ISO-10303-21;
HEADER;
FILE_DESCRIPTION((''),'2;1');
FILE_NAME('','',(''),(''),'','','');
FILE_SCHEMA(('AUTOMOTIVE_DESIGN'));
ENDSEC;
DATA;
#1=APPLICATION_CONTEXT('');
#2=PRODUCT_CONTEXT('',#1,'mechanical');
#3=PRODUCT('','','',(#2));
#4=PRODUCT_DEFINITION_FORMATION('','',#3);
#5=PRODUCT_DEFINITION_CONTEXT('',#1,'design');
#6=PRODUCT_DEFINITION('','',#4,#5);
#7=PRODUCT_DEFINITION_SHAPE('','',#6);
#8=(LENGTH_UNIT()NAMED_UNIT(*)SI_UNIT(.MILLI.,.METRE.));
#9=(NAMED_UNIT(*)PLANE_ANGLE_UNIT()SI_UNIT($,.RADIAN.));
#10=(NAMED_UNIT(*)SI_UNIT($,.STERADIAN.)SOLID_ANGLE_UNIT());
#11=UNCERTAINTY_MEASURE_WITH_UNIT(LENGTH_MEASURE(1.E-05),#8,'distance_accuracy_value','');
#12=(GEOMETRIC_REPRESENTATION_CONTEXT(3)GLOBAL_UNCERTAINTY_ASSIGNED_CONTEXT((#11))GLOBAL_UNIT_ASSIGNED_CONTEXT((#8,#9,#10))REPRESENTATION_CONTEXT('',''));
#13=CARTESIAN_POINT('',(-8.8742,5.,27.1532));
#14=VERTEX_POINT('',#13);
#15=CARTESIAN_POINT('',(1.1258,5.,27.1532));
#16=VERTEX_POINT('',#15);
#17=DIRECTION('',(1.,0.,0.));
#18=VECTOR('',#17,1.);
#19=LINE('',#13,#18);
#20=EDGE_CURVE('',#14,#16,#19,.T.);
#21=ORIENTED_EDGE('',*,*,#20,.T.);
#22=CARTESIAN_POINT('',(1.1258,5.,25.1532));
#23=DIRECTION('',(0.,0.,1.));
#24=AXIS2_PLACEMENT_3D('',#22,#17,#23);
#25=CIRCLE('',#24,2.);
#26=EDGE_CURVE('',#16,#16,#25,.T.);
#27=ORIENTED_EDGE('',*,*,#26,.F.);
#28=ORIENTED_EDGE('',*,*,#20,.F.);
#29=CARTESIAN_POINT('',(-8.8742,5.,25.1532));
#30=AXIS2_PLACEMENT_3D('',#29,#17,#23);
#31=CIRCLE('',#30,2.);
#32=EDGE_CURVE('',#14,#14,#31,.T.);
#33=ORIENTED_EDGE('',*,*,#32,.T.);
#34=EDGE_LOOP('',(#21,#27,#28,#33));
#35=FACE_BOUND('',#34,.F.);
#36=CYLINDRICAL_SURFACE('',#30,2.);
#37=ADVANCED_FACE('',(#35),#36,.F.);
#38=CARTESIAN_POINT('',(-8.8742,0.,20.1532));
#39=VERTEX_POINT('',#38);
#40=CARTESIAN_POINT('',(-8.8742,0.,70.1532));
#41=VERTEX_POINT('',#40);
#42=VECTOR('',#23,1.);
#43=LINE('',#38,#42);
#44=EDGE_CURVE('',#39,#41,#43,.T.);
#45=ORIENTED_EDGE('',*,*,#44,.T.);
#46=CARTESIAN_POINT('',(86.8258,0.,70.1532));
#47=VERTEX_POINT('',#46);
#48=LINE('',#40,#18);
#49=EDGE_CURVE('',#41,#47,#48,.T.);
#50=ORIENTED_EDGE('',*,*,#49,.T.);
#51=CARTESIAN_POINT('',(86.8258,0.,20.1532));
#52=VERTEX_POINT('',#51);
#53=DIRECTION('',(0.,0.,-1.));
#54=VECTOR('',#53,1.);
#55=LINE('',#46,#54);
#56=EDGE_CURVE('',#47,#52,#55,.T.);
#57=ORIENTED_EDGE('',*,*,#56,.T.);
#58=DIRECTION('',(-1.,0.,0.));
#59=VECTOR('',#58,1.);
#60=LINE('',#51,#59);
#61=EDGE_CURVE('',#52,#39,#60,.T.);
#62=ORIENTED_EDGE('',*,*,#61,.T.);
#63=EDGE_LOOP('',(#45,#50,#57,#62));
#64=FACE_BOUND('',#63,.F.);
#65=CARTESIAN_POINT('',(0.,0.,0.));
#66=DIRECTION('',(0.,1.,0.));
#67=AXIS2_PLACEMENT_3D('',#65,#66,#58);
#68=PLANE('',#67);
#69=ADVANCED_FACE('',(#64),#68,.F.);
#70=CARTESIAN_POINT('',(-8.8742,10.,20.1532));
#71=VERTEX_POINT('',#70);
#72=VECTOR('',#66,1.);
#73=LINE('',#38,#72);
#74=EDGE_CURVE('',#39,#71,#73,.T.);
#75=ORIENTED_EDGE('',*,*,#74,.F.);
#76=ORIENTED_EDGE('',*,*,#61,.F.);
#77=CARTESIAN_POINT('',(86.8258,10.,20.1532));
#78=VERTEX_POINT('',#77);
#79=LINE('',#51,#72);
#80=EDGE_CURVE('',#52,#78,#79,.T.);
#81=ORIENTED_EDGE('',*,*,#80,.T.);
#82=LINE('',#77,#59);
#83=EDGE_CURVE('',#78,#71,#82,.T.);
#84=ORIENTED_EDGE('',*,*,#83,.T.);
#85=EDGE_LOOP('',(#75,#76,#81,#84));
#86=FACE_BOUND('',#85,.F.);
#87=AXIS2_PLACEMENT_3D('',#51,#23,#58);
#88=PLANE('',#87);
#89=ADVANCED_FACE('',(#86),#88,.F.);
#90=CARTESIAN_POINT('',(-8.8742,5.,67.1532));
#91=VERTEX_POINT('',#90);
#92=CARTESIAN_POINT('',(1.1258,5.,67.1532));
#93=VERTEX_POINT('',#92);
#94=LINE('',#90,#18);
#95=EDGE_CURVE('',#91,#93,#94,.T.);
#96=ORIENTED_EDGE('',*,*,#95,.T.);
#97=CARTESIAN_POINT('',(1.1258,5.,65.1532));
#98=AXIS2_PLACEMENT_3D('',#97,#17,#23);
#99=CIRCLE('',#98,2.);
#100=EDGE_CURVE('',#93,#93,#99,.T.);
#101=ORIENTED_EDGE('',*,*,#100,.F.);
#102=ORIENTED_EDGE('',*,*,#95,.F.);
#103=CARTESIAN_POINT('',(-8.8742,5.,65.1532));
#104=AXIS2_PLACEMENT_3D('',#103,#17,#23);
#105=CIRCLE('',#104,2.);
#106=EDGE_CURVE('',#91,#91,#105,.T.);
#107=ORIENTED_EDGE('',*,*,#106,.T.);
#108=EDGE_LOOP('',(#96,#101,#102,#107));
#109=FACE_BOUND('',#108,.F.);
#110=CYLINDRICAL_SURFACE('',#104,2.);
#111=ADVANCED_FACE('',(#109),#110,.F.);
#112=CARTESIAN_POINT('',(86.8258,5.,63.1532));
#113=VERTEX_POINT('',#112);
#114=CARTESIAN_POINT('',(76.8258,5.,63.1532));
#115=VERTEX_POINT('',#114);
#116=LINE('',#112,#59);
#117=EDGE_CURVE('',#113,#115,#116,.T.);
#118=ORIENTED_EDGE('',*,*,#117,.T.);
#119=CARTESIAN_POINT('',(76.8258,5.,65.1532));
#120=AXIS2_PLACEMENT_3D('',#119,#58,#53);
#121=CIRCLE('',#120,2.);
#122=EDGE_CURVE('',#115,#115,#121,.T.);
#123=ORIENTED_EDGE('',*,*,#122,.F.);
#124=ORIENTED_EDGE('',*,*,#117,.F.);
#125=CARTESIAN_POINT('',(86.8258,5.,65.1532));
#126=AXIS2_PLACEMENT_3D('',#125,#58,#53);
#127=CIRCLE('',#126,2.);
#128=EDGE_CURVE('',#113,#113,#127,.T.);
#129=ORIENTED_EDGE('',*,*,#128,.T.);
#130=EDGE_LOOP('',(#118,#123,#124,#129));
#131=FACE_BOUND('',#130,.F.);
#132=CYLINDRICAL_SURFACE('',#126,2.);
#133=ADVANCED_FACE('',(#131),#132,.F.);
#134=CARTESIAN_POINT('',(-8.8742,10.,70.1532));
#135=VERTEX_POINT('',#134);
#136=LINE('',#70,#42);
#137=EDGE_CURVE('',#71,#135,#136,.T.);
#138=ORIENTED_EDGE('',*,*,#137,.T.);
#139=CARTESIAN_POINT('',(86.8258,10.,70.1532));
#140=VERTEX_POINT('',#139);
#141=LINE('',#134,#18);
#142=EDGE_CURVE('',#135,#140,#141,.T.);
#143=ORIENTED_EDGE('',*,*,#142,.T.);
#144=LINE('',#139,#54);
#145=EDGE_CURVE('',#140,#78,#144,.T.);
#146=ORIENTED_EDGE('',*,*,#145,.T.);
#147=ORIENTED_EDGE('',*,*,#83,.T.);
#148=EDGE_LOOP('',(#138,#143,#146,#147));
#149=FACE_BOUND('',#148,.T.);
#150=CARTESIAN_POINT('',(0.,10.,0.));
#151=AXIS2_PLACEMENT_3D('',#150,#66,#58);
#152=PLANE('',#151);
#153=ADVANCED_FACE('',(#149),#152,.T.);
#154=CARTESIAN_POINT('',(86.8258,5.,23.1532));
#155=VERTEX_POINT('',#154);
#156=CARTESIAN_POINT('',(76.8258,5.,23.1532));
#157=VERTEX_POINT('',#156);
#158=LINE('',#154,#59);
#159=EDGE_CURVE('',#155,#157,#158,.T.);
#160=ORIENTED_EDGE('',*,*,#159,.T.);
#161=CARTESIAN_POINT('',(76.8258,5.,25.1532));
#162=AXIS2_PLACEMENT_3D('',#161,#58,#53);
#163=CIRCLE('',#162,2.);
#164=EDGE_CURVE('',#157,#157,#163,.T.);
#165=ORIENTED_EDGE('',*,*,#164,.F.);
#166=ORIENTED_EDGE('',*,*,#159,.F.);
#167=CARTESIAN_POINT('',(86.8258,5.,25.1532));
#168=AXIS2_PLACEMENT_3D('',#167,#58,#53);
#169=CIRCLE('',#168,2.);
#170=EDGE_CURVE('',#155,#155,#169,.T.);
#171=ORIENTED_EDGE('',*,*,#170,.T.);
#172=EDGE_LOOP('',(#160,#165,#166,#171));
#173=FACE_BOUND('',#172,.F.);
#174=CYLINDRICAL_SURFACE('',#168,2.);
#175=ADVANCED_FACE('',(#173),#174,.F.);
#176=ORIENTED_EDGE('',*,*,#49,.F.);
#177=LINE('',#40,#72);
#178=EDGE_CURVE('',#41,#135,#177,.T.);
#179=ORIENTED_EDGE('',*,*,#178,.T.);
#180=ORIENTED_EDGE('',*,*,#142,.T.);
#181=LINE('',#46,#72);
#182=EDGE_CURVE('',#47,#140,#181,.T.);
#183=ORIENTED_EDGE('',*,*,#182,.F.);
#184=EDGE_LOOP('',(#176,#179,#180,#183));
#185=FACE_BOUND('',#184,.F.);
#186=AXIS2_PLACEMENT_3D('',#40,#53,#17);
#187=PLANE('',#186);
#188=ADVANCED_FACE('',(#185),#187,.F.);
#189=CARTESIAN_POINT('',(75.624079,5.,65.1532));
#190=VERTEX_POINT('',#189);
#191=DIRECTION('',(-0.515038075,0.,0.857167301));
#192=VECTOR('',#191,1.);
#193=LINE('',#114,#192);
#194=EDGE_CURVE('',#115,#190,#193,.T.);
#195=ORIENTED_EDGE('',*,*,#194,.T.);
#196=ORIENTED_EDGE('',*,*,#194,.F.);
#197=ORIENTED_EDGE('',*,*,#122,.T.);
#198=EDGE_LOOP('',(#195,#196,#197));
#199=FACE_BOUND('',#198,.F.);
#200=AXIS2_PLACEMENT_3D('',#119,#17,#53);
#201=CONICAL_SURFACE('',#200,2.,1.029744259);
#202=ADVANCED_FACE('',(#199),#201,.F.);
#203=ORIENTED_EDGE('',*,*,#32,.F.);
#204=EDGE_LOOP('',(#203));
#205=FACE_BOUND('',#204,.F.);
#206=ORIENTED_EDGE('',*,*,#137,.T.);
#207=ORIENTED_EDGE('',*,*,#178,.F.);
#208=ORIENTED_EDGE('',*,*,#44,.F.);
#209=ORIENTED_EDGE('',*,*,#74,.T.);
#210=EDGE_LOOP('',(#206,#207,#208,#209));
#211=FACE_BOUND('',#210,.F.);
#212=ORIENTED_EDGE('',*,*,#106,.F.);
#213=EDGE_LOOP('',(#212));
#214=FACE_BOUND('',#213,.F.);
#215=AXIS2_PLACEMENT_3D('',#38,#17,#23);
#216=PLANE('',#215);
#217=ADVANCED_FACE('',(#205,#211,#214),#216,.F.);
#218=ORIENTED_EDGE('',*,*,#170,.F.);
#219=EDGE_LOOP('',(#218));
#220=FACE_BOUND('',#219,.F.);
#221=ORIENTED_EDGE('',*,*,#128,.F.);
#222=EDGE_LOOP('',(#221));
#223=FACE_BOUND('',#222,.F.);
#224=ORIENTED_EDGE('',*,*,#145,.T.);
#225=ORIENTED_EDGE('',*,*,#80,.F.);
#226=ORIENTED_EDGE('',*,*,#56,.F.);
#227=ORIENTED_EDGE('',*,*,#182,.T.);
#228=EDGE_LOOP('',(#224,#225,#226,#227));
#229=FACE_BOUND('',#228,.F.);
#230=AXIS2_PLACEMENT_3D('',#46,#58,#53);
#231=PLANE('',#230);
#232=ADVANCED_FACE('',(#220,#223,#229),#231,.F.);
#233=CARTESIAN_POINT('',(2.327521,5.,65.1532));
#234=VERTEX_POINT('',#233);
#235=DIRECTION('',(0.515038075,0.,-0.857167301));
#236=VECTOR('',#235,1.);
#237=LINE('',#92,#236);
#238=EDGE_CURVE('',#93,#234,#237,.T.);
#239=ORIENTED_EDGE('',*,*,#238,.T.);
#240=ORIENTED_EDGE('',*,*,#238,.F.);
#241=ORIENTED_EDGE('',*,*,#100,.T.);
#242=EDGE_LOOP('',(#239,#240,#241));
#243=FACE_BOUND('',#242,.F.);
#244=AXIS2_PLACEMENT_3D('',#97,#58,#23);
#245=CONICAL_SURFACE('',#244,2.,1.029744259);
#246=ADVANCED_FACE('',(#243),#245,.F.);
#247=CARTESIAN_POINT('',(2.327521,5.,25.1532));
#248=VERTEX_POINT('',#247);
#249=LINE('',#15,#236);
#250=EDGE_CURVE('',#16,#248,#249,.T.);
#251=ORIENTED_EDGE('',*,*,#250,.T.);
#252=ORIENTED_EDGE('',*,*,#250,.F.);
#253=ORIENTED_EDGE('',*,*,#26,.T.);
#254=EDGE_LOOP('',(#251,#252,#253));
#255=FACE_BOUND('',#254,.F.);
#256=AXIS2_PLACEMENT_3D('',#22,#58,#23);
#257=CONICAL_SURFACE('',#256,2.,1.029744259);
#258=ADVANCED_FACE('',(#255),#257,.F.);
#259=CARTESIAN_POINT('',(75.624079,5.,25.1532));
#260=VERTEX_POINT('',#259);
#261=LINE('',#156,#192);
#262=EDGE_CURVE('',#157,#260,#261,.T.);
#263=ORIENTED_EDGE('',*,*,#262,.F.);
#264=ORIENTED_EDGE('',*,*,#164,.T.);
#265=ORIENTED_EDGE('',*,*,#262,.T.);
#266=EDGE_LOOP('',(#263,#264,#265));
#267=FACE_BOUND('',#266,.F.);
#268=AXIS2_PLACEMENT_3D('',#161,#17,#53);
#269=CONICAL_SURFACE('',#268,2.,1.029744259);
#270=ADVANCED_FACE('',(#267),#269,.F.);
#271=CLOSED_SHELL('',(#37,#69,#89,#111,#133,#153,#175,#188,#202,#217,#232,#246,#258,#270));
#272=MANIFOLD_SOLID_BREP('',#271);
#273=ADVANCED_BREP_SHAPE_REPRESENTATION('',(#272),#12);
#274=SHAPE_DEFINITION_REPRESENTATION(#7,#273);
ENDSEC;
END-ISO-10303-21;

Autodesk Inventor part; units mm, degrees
ref_plane "YZ Plane" through (0, 0, 0) normal (1, 0, 0) x (0, 1, 0)
ref_plane "XZ Plane" through (0, 0, 0) normal (0, 1, 0) x (-1, 0, 0)
ref_plane "XY Plane" through (0, 0, 0) normal (0, 0, 1) x (1, 0, 0)
sketch "Boceto1" plane through (0, 0, 0) normal (0, 1, 0) x (-1, 0, 0)
  line L0 (8.8742, 70.1532) -> (-86.8258, 70.1532)
  line L1 (-86.8258, 70.1532) -> (-86.8258, 20.1532)
  line L2 (-86.8258, 20.1532) -> (8.8742, 20.1532)
  line L3 (8.8742, 20.1532) -> (8.8742, 70.1532)
  dimension "d0" = 95.7
  dimension "d1" = 50
extrude "Extrusión1" add sketch "Boceto1" along normal blind 10
sketch "Boceto2" plane through (86.8258, 0, 70.1532) normal (1, 0, 0) x (0, 0, -1)
  line L0 (0, 0) -> (0, 10) projected
  line L1 (50, 0) -> (50, 10) projected
  circle A0 centre (5, 5) radius 2
  circle A1 centre (45, 5) radius 2
  point P0 (70.1532, 0)
  dimension "d4" = 4
  dimension "d5" = 5
  dimension "d6" = 4
  dimension "d7" = 5
sketch "Boceto3" plane through (-8.8742, 0, 20.1532) normal (-1, 0, 0) x (0, 0, 1)
  circle A0 centre (5, 5) radius 2
  line L0 (0, 10) -> (50, 10) projected
  line L1 (0, 0) -> (0, 10) projected
  circle A1 centre (45, 5) radius 2
  line L2 (50, 0) -> (50, 10) projected
  dimension "d8" = 4
  dimension "d9" = 5
  dimension "d10" = 5
  dimension "d11" = 4
  dimension "d12" = 5
  dimension "d13" = 5
hole "Agujero1" at (-8.8742, 5, 25.1532) at (-8.8742, 5, 65.1532) direction (1, 0, 0) diameter 4 depth 10 tip angle 118
hole "Agujero2" at (86.8258, 5, 65.1532) at (86.8258, 5, 25.1532) direction (-1, 0, 0) diameter 4 depth 10 tip angle 118
thread "Rosca1" size "M4x0.7" class "6H" standard "ISO Metric profile" length 7.5
thread "Rosca2" size "M4x0.7" class "6H" standard "ISO Metric profile" length 7.5
thread "Rosca3" size "M4x0.7" class "6H" standard "ISO Metric profile" length 7.5
thread "Rosca4" size "M4x0.7" class "6H" standard "ISO Metric profile" length 7.5
properties part number "Soporte para culata carcasa Derecho" material "Aluminio 6061"
